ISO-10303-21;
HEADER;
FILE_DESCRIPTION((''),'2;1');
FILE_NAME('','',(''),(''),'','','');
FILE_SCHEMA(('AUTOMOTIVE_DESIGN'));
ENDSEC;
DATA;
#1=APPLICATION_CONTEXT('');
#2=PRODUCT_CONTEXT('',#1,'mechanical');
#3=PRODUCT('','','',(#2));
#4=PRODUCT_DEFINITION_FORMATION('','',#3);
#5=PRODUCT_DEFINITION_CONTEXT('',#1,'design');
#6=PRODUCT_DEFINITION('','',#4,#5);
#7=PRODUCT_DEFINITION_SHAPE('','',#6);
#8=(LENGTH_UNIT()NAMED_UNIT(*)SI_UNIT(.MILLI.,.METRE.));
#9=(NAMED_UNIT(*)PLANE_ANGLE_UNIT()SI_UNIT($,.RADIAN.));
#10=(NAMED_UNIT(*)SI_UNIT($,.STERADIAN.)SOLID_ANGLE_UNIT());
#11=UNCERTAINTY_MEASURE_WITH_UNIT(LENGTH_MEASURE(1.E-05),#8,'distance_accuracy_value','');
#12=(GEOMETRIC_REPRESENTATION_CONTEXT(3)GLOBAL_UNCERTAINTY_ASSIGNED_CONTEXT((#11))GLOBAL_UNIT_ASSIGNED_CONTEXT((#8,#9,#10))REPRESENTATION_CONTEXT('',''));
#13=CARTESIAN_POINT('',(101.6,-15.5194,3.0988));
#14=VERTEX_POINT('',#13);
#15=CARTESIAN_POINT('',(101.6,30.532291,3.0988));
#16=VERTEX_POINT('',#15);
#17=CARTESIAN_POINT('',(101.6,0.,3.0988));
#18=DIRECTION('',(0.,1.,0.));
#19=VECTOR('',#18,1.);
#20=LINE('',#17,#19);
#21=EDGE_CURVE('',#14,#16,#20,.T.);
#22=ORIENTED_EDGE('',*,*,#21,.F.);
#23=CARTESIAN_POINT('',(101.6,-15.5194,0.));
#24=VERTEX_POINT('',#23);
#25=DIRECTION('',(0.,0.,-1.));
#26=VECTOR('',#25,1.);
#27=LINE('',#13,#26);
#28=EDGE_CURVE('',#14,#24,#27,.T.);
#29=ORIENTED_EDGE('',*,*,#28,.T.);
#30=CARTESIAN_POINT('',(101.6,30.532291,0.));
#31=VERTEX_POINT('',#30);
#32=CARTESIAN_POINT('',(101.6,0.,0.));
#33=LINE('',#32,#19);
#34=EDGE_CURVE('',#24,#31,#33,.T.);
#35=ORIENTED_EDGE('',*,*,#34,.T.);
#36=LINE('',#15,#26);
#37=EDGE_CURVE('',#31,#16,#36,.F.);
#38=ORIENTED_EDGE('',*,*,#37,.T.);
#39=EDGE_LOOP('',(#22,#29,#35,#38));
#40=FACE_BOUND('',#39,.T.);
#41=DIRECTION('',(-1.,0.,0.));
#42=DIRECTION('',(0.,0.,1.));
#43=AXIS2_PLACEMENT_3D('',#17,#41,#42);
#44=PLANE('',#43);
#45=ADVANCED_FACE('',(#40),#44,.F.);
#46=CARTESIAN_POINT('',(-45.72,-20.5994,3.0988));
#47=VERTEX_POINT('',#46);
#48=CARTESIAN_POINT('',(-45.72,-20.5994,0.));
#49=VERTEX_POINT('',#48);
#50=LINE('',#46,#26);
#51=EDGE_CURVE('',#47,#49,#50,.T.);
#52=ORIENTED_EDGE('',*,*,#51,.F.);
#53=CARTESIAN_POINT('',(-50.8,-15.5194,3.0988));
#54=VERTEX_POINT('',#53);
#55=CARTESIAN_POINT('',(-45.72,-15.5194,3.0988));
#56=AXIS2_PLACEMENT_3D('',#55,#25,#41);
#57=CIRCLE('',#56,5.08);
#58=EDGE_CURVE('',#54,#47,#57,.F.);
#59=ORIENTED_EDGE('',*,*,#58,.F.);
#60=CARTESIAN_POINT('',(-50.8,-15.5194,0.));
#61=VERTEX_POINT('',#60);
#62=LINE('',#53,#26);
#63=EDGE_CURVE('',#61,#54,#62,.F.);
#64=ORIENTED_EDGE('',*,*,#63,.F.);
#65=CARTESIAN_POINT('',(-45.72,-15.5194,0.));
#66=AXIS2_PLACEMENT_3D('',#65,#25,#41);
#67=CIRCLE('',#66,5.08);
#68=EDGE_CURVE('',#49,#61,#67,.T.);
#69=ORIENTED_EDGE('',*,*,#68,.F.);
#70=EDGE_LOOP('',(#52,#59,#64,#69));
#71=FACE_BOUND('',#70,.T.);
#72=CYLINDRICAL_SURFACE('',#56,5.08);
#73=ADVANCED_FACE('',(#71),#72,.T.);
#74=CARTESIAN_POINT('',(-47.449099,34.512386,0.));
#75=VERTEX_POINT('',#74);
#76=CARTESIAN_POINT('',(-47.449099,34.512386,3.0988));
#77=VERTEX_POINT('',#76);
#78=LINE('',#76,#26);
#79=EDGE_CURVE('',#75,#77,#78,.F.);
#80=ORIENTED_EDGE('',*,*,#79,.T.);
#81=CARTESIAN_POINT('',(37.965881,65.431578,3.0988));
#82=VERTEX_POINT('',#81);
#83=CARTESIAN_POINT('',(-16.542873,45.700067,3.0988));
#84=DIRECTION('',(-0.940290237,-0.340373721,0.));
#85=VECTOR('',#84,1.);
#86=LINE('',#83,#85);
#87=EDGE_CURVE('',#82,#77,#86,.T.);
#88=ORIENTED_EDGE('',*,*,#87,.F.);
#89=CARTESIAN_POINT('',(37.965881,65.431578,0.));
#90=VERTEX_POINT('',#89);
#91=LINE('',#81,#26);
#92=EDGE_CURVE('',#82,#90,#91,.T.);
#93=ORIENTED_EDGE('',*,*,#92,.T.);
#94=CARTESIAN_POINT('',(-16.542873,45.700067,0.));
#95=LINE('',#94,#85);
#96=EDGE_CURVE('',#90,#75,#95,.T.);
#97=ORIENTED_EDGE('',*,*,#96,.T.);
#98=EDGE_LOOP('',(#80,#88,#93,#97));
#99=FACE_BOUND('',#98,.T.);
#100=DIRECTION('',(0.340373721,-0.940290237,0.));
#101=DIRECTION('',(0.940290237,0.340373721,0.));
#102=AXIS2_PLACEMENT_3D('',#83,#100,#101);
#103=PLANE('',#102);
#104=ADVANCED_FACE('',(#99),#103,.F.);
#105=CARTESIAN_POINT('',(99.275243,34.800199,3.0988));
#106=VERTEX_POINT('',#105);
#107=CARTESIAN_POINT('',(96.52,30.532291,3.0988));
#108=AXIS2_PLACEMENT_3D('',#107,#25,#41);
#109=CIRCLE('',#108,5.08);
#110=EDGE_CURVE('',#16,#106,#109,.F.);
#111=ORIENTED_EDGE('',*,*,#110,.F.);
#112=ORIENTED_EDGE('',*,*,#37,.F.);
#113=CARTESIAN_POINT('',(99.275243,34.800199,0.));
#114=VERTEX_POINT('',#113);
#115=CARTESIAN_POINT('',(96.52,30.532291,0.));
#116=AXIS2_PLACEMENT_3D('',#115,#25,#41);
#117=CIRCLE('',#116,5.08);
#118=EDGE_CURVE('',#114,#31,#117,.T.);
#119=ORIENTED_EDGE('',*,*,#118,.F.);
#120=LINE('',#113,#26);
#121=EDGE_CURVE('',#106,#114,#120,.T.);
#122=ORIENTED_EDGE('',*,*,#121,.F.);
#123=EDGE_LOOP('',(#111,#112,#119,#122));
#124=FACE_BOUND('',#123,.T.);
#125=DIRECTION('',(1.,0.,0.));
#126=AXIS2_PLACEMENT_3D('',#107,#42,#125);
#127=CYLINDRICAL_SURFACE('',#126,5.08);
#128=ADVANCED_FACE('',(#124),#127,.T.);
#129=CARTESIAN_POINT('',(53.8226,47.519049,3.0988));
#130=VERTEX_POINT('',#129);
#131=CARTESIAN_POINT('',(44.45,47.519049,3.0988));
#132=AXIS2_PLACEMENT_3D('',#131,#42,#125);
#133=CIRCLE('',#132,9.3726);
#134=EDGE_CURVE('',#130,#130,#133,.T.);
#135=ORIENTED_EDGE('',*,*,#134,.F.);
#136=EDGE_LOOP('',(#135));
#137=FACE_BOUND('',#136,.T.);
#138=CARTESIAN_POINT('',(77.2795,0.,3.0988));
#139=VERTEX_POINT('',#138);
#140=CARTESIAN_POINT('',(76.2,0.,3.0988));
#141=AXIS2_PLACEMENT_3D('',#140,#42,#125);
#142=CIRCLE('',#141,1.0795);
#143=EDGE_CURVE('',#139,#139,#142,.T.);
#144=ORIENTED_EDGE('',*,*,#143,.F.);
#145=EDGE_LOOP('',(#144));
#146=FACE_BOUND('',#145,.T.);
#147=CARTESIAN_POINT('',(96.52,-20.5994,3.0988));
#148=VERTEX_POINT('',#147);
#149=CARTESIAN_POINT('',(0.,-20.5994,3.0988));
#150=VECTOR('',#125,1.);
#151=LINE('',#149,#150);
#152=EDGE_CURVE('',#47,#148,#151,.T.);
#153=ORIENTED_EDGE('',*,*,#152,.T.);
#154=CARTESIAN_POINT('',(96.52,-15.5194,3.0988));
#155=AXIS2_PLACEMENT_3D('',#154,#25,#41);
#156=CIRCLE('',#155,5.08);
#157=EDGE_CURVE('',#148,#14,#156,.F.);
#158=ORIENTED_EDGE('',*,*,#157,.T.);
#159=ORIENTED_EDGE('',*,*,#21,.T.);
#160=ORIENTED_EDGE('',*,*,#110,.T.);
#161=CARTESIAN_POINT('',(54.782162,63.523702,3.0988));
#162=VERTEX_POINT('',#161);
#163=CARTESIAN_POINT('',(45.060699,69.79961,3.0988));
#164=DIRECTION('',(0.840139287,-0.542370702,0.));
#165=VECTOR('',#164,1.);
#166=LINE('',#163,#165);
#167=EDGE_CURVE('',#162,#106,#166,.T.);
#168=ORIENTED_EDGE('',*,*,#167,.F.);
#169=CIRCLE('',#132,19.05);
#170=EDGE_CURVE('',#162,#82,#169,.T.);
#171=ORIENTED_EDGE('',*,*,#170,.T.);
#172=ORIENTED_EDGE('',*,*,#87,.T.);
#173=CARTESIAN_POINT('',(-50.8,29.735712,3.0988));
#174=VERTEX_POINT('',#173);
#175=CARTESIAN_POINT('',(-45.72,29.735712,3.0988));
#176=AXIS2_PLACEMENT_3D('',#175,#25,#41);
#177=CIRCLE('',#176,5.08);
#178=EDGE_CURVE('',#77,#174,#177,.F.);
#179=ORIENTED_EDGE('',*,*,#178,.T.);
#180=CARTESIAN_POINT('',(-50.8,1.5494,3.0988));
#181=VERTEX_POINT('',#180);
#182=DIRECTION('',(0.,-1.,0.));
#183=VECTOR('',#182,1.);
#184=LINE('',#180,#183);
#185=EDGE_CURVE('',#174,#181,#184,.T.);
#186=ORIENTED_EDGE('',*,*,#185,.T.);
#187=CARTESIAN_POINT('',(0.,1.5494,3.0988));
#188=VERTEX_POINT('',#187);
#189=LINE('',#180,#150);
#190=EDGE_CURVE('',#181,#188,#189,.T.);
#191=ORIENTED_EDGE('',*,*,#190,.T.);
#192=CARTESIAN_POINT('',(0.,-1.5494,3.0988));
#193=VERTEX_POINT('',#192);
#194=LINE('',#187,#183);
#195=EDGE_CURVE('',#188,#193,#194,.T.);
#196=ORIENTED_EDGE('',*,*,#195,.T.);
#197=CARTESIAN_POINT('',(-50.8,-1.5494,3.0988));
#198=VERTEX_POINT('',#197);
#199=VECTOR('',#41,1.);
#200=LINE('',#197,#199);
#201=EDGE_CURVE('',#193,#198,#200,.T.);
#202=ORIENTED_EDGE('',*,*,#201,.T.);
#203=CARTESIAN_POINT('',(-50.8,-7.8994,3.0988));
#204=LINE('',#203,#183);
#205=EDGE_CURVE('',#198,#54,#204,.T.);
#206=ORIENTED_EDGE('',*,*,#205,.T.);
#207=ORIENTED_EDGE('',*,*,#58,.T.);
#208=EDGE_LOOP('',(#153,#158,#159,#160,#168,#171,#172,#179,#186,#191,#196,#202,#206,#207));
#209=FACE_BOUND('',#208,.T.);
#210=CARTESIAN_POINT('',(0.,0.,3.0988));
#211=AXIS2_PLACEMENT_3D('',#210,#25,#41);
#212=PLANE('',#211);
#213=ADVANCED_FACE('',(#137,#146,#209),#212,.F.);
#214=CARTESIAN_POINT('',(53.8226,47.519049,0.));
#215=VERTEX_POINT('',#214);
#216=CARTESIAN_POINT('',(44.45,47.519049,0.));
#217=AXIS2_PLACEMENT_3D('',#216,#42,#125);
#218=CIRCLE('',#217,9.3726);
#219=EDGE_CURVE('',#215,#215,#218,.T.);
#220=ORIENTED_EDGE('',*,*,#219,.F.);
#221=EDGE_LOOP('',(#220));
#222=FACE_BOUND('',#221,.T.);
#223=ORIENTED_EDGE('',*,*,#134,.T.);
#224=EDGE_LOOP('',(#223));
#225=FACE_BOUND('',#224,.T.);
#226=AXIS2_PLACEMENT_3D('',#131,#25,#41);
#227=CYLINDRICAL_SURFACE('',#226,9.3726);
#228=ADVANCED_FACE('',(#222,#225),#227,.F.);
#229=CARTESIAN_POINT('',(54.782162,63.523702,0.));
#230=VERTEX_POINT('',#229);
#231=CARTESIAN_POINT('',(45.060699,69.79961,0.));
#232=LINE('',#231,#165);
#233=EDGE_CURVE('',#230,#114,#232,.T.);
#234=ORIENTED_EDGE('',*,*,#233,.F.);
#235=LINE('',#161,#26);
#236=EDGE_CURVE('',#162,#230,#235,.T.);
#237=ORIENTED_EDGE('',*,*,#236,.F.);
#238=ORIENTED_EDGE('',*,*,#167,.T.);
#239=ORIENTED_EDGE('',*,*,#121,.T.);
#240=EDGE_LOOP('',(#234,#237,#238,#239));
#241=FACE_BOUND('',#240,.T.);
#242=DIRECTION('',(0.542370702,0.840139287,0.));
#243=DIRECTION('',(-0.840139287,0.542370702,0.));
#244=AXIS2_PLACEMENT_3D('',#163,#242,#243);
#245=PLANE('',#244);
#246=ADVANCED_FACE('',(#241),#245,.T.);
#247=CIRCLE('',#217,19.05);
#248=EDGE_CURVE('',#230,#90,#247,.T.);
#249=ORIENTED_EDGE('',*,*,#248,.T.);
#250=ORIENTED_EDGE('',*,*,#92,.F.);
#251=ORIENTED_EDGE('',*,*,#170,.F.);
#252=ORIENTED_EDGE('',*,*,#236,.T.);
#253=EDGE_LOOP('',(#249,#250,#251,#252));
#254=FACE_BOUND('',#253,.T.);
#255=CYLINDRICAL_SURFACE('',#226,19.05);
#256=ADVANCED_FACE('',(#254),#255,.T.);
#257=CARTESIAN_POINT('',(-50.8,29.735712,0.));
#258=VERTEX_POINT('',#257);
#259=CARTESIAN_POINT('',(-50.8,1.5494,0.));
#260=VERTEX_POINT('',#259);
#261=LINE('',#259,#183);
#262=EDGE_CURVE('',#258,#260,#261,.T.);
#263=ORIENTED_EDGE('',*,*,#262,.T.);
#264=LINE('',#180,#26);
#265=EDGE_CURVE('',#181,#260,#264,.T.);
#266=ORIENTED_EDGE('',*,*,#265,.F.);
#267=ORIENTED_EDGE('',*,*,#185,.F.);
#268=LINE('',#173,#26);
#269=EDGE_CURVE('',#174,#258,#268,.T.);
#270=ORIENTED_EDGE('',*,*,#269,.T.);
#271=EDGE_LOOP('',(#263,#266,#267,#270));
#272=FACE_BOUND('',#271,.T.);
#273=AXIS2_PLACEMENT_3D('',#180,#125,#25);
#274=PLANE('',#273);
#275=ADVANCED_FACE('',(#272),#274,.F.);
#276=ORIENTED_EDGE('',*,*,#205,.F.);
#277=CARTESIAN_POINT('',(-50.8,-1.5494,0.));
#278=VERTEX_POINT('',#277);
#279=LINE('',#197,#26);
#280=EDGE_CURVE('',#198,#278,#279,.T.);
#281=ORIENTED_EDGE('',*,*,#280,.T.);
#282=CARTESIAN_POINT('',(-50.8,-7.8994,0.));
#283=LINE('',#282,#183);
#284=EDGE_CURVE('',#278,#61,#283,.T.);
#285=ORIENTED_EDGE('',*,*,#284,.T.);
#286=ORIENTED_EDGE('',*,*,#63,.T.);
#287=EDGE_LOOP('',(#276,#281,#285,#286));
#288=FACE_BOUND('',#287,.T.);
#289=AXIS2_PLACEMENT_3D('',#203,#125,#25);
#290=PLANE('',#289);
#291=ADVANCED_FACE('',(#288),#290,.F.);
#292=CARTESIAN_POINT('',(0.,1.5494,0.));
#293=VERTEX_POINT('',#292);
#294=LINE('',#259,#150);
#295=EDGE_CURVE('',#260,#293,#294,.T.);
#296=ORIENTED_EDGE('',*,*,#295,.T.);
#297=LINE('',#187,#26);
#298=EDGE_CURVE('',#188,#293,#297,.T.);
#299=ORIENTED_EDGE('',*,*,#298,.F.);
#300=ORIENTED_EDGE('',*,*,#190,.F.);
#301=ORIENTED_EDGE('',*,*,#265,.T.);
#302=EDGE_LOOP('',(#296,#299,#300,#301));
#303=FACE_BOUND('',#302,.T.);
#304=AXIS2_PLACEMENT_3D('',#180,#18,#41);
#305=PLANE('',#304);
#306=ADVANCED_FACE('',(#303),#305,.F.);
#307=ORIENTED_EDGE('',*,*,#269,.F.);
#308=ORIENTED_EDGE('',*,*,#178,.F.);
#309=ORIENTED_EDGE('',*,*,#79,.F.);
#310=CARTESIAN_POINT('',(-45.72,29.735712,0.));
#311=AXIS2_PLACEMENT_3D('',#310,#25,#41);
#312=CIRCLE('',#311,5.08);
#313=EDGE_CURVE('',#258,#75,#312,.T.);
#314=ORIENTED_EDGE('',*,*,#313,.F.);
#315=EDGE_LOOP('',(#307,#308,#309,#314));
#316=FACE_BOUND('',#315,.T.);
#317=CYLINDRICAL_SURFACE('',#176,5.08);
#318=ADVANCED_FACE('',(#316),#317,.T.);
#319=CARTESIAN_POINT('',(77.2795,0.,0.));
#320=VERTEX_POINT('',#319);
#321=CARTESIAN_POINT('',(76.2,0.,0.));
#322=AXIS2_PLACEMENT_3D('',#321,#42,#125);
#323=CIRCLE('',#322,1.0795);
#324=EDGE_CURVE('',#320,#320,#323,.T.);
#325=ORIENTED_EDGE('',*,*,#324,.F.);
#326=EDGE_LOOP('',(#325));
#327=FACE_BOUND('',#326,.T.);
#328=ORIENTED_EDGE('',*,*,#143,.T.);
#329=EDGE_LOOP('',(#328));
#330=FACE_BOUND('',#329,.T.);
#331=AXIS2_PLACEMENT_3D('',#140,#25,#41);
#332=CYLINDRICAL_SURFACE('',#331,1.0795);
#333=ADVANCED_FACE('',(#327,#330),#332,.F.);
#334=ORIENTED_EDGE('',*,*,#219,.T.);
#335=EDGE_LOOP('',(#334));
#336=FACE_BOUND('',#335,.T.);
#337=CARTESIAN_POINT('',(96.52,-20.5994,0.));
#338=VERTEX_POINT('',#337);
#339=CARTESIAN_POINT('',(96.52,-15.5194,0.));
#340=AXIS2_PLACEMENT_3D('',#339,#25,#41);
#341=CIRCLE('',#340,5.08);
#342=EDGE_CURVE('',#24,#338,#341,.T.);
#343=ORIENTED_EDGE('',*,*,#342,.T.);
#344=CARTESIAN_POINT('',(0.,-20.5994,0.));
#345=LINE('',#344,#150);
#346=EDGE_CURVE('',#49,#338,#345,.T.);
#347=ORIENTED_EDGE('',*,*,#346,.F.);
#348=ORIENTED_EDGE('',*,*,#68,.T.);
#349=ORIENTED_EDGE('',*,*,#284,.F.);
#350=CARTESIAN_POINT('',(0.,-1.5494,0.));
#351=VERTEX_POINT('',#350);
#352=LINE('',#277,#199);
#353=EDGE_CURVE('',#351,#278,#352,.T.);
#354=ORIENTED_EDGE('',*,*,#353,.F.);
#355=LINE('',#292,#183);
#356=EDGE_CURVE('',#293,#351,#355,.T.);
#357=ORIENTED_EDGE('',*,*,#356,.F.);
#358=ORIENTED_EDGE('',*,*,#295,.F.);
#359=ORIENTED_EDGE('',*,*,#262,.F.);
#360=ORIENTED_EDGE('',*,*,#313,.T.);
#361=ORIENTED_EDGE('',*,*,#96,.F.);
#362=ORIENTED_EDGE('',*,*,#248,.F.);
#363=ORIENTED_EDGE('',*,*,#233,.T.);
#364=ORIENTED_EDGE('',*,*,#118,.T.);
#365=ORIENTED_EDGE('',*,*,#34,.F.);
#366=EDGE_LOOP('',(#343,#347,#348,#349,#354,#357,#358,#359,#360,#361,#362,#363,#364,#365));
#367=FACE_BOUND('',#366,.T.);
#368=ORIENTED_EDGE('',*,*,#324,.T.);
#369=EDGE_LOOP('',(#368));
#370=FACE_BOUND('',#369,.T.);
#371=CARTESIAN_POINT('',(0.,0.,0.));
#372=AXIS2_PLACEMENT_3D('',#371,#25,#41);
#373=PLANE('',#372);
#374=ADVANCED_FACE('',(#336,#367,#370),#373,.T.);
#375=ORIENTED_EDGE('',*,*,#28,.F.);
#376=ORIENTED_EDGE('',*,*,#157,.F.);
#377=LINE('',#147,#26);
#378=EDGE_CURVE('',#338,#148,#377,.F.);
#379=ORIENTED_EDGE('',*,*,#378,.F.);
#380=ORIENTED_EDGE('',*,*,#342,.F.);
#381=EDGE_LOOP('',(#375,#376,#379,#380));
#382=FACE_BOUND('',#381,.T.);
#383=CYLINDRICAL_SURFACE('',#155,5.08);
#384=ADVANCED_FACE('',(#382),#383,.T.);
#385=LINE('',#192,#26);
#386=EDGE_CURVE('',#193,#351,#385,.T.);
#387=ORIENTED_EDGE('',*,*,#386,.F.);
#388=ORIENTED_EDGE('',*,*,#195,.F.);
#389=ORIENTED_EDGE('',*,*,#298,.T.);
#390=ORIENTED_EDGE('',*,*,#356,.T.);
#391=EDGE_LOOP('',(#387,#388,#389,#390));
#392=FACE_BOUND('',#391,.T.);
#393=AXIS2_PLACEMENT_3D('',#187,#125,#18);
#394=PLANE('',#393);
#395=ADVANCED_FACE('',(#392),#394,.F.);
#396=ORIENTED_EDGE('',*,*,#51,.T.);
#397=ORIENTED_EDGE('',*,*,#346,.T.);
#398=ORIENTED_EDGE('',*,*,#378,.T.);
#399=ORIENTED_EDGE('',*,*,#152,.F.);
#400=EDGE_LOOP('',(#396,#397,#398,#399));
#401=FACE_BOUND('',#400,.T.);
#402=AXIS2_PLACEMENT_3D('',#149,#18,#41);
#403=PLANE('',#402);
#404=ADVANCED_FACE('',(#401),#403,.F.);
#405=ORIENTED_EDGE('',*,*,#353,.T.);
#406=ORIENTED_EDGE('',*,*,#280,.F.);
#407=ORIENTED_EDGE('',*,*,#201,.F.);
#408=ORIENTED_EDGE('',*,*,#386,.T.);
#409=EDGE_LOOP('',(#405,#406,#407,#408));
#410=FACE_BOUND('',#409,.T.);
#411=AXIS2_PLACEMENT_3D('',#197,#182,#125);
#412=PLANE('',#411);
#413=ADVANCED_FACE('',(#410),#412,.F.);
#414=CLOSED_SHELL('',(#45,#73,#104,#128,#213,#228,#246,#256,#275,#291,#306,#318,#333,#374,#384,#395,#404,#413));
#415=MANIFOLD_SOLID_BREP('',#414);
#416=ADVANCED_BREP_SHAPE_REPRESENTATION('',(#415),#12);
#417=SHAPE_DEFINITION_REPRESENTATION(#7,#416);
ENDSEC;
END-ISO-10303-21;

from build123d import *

# Parameters (mm, degrees)
BOSS_EXTRUDE1_DEPTH = 3.0988
SKETCH3_R           = 1.0795
SKETCH3_R_2         = 9.3726
BOSS_EXTRUDE2_DEPTH = 3.0988
FILLET1_R           = 5.08


with BuildPart() as part:
    # Sketch2 → Boss-Extrude1 (new body)
    with BuildSketch(Plane.XY):
        Polygon((-50.8, 1.5494), (-50.8, 7.8994), (50.8, 7.8994), (50.8, -7.8994), (-50.8, -7.8994), (-50.8, -1.5494), (0, -1.5494), (0, 1.5494), align=None)
    extrude(amount=BOSS_EXTRUDE1_DEPTH)

    # Sketch3 → Boss-Extrude2 (add)
    with BuildSketch(Plane.XY):
        with BuildLine():
            Line((50.8, -7.8994), (-50.8, -7.8994))
            Line((-50.8, -7.8994), (-50.8, -20.5994))
            Line((-50.8, -20.5994), (101.6, -20.5994))
            Line((101.6, -20.5994), (101.6, 33.2994))
            Line((101.6, 33.2994), (54.782161872, 63.523702231))
            ThreePointArc((54.782161872, 63.523702231), (46.597523005, 66.447615713), (37.96588061, 65.431577828))
            Line((37.96588061, 65.431577828), (-50.8, 33.2994))
            Line((-50.8, 33.2994), (-50.8, 7.8994))
            Line((-50.8, 7.8994), (50.8, 7.8994))
            Line((50.8, 7.8994), (50.8, -7.8994))
        make_face()
        with Locations((76.2, 0)):
            Circle(SKETCH3_R, mode=Mode.SUBTRACT)
        with Locations((44.45, 47.519048812)):
            Circle(SKETCH3_R_2, mode=Mode.SUBTRACT)
    extrude(amount=BOSS_EXTRUDE2_DEPTH)

    # Fillet1
    fillet1_edges = [part.edges().sort_by_distance(p)[0] for p in [
        (101.6, 33.2994, 1.5494),
        (-50.8, 33.2994, 1.5494),
        (-50.8, -20.5994, 1.5494),
        (101.6, -20.5994, 1.5494),
    ]]
    fillet(fillet1_edges, radius=FILLET1_R)


solid = part.part
